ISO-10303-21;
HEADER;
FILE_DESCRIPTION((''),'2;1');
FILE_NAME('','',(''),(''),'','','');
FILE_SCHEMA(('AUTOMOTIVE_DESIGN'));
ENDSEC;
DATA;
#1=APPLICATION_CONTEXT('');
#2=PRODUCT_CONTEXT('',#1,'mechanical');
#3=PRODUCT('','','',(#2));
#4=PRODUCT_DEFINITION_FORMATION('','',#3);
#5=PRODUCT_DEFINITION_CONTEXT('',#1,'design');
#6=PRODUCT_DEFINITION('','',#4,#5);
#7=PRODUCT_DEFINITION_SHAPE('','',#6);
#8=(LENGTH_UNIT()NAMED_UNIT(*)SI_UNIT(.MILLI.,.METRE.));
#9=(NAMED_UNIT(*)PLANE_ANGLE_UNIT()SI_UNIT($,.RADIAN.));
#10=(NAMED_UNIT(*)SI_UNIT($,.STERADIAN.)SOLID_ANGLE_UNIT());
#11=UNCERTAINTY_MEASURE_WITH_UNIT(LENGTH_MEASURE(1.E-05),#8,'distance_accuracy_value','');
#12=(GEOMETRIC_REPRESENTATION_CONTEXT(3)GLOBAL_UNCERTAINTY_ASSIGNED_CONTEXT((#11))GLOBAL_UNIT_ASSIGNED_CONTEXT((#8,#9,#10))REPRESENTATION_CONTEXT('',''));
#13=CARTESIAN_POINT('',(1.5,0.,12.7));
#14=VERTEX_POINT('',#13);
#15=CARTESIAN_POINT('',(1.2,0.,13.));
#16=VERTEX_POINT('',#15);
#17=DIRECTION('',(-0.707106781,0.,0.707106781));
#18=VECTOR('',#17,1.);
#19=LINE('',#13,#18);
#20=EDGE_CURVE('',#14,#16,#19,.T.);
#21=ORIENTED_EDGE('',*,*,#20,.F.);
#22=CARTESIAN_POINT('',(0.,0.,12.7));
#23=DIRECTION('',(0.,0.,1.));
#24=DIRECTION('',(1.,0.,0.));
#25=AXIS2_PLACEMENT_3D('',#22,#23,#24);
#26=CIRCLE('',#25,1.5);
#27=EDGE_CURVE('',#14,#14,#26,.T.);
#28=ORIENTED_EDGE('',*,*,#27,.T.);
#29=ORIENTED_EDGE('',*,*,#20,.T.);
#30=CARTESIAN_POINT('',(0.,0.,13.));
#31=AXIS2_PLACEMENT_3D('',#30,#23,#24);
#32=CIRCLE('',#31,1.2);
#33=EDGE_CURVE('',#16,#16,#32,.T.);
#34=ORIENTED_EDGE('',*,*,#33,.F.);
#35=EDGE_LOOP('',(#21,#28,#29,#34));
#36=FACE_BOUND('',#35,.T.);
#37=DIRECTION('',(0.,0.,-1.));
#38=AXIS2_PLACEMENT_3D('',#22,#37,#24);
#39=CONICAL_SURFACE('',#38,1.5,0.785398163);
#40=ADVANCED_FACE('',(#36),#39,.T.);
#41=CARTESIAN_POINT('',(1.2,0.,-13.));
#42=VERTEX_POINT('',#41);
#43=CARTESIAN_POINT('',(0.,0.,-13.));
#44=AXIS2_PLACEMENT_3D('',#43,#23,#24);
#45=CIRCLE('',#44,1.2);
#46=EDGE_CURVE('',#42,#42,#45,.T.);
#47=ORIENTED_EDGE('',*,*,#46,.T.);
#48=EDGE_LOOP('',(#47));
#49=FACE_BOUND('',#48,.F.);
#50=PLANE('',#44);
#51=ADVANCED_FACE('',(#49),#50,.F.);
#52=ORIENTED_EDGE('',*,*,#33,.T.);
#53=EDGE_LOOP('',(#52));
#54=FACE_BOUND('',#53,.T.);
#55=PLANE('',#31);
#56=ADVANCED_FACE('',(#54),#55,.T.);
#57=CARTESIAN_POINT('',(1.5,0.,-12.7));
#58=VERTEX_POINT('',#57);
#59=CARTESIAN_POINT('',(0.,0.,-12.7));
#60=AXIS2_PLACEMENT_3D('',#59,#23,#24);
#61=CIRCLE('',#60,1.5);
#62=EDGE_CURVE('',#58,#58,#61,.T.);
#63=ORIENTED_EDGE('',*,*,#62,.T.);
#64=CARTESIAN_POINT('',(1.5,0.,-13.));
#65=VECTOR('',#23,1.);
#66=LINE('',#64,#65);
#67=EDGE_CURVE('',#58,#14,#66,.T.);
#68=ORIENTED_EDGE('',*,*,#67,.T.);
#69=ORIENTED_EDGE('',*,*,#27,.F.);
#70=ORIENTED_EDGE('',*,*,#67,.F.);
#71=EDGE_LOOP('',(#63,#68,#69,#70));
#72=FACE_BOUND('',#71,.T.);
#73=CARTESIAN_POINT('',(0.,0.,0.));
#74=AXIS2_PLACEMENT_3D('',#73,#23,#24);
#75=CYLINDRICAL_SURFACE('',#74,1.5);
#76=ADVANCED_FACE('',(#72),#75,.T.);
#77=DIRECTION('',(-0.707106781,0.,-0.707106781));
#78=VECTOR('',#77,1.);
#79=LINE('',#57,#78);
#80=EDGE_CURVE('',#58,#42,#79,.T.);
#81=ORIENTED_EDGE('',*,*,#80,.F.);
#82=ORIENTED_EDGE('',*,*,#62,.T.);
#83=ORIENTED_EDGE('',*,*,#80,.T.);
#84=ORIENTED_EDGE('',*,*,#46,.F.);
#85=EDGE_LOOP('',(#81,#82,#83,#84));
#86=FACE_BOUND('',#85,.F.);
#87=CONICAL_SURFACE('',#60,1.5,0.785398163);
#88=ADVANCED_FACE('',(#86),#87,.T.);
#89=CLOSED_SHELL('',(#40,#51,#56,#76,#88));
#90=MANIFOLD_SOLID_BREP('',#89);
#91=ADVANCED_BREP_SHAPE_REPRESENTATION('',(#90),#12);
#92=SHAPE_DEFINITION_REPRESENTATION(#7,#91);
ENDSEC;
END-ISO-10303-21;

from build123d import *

# Parameters (mm, degrees)
SKETCH1_R           = 1.5
BOSS_EXTRUDE1_DEPTH = 13
CHAMFER1_SIZE       = 0.3


with BuildPart() as part:
    # Sketch1 → Boss-Extrude1 (new body, symmetric)
    with BuildSketch(Plane.XY):
        Circle(SKETCH1_R)
    extrude(amount=BOSS_EXTRUDE1_DEPTH, both=True)

    # Chamfer1
    chamfer1_edges = [part.edges().sort_by_distance(p)[0] for p in [
        (-1.5, 0, -13),
        (-1.5, 0, 13),
    ]]
    chamfer(chamfer1_edges, length=CHAMFER1_SIZE)


solid = part.part
